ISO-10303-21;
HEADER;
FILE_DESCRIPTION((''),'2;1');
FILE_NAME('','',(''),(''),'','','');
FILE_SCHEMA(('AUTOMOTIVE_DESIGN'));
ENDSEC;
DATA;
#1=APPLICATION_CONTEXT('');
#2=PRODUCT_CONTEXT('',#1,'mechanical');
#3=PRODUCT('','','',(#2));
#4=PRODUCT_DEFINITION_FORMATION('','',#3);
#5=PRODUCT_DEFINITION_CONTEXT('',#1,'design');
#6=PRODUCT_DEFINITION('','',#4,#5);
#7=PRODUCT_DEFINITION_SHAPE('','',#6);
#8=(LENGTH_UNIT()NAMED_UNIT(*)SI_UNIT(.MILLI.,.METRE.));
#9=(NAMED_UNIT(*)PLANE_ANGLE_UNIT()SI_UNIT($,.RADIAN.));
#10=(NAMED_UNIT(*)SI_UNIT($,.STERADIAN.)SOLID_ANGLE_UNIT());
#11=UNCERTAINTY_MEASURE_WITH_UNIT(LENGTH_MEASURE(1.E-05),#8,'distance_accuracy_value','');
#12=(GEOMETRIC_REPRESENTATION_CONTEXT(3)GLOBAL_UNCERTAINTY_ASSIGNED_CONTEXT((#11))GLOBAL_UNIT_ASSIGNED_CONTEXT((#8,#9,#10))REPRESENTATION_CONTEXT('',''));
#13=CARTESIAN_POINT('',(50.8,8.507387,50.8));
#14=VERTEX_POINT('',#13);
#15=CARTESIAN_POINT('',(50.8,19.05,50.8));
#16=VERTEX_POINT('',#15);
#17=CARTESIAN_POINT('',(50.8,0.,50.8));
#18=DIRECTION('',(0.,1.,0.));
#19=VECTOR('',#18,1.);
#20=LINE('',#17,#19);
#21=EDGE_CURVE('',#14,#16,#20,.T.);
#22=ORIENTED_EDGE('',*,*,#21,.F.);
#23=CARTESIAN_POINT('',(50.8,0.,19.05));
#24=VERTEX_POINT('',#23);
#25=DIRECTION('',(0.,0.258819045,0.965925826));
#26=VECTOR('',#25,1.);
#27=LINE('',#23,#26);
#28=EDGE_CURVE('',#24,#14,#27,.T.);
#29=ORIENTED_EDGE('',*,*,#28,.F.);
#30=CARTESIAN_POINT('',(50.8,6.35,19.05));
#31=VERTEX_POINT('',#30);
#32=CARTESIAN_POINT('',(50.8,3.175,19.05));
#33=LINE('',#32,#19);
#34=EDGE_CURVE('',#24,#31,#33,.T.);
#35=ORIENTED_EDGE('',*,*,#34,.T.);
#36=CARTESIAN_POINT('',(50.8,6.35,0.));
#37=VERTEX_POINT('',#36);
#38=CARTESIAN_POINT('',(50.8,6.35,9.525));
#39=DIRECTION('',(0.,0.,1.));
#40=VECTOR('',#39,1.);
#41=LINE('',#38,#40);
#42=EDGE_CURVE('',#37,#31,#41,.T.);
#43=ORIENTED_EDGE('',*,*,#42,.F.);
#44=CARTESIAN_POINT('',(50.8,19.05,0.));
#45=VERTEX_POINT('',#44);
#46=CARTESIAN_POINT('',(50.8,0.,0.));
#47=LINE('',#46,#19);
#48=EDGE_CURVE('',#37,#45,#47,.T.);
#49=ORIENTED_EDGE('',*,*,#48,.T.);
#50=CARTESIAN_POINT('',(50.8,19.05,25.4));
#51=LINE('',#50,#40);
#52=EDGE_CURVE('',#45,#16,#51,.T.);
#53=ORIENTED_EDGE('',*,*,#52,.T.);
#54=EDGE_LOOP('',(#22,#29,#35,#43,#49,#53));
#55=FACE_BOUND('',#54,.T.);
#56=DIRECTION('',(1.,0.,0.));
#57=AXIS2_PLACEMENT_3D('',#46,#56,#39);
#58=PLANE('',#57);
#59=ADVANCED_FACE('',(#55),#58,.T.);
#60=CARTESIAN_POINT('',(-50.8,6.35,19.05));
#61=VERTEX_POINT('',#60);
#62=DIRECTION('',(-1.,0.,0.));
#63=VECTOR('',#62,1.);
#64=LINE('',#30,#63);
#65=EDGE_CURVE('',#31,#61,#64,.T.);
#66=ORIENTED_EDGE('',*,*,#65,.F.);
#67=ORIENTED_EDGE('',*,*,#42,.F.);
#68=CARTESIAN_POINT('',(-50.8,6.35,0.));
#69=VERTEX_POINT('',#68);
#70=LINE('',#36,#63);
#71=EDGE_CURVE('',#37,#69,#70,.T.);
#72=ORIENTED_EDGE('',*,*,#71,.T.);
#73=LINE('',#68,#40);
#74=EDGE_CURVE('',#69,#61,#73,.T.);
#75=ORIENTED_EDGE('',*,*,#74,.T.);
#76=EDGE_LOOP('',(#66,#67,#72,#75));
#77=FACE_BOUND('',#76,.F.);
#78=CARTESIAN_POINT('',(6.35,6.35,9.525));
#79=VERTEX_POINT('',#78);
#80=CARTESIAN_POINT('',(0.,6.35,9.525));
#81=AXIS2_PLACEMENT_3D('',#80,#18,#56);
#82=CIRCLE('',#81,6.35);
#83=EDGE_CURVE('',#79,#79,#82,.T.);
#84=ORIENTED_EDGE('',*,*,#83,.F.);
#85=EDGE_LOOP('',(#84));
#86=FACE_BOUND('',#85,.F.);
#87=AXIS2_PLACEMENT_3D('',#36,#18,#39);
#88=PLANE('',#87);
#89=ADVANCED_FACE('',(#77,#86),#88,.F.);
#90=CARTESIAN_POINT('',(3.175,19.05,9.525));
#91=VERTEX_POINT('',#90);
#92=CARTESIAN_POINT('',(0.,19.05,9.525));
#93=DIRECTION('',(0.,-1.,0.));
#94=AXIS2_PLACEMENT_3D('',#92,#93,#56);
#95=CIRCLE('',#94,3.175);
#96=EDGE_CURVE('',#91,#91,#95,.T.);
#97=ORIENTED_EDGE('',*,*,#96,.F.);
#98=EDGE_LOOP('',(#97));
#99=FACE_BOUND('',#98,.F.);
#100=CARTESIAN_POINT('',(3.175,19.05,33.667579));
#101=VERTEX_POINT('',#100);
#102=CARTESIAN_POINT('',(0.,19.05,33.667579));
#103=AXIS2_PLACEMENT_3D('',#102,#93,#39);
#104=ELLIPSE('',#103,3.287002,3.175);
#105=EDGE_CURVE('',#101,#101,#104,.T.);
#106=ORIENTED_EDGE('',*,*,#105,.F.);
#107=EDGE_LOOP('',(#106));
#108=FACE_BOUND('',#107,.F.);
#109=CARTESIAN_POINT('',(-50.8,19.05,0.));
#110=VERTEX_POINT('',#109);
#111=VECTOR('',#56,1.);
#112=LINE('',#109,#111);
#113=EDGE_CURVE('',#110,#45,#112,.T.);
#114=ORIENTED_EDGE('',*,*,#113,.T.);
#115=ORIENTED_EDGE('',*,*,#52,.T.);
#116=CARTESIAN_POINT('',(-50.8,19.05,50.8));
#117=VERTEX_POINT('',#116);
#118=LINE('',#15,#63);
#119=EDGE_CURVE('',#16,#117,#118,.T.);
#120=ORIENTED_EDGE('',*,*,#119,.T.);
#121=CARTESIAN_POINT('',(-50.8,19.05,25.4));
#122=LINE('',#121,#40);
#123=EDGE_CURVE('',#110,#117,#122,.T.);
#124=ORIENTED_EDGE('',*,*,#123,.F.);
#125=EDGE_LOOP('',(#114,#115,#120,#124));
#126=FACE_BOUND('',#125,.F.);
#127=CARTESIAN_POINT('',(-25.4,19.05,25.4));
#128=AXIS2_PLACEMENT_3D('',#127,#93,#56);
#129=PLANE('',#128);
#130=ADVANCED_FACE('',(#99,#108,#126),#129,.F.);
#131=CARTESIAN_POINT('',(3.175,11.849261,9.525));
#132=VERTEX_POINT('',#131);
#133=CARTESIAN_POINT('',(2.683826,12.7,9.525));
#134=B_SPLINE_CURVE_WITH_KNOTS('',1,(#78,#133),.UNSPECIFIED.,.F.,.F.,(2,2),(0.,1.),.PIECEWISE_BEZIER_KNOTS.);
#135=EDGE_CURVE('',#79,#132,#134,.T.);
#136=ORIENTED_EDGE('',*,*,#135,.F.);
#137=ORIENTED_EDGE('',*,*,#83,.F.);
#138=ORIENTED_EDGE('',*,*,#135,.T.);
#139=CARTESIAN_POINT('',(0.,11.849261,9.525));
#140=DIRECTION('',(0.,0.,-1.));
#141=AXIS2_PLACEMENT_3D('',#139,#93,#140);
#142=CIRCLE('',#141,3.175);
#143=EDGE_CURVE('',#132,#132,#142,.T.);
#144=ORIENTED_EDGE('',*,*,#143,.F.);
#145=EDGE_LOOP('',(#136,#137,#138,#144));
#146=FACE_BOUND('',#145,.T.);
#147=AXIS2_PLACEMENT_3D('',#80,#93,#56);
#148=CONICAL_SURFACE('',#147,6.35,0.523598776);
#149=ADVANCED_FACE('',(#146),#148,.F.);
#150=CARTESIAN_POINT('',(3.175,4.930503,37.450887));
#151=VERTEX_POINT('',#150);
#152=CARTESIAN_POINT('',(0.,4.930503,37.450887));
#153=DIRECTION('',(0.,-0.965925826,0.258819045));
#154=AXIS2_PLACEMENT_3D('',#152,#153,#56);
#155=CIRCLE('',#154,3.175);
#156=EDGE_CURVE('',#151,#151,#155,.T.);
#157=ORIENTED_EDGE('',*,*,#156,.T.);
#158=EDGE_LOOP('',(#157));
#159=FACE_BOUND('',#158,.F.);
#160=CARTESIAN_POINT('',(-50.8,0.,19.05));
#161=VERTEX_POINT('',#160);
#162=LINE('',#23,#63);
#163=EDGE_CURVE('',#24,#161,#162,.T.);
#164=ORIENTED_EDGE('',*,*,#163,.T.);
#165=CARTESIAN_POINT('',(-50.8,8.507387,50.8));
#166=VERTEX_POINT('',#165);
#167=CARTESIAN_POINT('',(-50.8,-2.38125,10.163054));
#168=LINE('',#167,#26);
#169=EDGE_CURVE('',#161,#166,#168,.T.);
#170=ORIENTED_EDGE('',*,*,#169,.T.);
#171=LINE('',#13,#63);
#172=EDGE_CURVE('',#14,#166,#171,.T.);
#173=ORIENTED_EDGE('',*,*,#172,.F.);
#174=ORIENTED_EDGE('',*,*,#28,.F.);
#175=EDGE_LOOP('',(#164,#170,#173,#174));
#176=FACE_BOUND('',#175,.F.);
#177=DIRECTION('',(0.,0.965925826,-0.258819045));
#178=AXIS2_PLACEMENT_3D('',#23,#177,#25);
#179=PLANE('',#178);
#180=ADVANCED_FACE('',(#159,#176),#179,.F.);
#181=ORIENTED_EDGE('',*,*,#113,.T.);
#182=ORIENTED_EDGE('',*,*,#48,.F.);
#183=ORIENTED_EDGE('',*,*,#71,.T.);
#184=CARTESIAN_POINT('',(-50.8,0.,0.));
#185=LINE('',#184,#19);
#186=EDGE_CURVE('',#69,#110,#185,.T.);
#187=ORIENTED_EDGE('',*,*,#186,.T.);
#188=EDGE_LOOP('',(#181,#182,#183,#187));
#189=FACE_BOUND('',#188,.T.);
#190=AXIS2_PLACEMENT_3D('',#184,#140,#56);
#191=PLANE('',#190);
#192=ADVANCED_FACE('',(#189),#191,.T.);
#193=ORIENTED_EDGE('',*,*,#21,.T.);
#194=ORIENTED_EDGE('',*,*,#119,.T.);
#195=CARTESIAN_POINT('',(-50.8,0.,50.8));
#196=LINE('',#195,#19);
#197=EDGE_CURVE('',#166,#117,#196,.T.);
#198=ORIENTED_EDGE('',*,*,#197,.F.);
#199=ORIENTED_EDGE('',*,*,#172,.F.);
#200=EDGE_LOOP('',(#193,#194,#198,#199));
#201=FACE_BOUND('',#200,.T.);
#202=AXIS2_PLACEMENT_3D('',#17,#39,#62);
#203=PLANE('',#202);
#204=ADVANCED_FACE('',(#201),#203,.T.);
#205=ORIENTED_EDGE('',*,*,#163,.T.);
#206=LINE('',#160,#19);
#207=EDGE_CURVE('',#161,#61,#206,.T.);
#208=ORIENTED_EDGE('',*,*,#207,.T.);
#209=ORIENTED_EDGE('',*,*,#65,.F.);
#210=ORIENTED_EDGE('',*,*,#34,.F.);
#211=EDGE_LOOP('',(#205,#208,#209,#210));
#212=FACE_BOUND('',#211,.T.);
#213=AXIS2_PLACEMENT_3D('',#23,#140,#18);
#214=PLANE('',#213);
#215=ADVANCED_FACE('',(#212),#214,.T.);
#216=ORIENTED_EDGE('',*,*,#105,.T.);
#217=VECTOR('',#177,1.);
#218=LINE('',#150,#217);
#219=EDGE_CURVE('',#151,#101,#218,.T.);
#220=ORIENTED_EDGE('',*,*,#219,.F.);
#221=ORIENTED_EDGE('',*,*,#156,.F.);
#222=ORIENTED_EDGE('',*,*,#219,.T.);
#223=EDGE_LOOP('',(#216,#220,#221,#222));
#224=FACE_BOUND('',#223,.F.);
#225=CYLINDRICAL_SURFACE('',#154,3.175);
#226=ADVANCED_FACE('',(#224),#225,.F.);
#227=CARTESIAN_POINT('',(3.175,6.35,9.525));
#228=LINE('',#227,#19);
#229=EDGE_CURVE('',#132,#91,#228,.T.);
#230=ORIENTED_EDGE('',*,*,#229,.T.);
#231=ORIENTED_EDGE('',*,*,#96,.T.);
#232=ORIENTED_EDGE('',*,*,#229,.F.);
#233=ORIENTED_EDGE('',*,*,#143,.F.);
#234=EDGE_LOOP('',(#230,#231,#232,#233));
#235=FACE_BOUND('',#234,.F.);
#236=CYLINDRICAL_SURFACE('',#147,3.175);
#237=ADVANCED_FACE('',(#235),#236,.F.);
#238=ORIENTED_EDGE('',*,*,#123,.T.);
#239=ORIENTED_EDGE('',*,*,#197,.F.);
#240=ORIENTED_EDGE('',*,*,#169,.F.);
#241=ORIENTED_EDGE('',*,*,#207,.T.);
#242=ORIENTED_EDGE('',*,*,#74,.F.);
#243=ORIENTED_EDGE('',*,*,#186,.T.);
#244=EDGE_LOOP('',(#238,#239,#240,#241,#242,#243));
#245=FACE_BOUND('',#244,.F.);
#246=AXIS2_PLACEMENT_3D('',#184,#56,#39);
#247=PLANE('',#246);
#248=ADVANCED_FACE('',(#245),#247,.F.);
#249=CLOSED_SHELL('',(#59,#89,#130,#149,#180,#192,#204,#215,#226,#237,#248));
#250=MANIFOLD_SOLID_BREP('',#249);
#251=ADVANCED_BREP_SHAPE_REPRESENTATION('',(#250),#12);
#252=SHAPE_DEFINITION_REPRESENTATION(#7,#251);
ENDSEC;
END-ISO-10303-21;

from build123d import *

# Parameters (mm, degrees)
F0_W     = 50.8
F0_H     = 50.8
F1_DEPTH = 19.05
F2_W     = 6.35
F2_H     = 19.05
F3_DEPTH = 101.601
F4_R     = 3.175
F5_DEPTH = 23.3323898
F6_R     = 3.175
F7_DEPTH = 12.701
F8_R     = 6.35
F9_DEPTH = 6.35
F9_TAPER = 30


with BuildPart() as f1:
    # F0 (on Front) → F1 (new body)
    with BuildSketch(Plane.XZ):
        with Locations((-25.4, 25.4)):
            Rectangle(F0_W, F0_H)
        with Locations((25.4, 25.4)):
            Rectangle(F0_W, F0_H)
    extrude(amount=-F1_DEPTH)

    # F2 (on face) → F3 (cut, through all)
    with BuildSketch(Plane.YZ.offset(50.8)):
        Polygon((0, 50.8), (0, 19.05), (8.5073868597, 50.8), align=None)
        with Locations((3.175, 9.525)):
            Rectangle(F2_W, F2_H)
    extrude(amount=-F3_DEPTH, mode=Mode.SUBTRACT)

    # F4 (on face) → F5 (cut, through all)
    with BuildSketch(Plane(origin=(0, -4.7625, 1.276108029), x_dir=(1, 0, 0), z_dir=(0, -0.9659258263, 0.2588190451))):
        with Locations((0, 37.4508869908)):
            Circle(F4_R)
    extrude(amount=-F5_DEPTH, mode=Mode.SUBTRACT)

    # F6 (on face) → F7 (cut, through all)
    with BuildSketch(Plane.XZ.offset(-6.35)):
        with Locations((0, 9.525)):
            Circle(F6_R)
    extrude(amount=-F7_DEPTH, mode=Mode.SUBTRACT)

    # F8 (on face) → F9 (cut)
    with BuildSketch(Plane.XZ.offset(-6.35)):
        with Locations((0, 9.525)):
            Circle(F8_R)
    extrude(amount=-F9_DEPTH, taper=F9_TAPER, mode=Mode.SUBTRACT)


solid = f1.part
